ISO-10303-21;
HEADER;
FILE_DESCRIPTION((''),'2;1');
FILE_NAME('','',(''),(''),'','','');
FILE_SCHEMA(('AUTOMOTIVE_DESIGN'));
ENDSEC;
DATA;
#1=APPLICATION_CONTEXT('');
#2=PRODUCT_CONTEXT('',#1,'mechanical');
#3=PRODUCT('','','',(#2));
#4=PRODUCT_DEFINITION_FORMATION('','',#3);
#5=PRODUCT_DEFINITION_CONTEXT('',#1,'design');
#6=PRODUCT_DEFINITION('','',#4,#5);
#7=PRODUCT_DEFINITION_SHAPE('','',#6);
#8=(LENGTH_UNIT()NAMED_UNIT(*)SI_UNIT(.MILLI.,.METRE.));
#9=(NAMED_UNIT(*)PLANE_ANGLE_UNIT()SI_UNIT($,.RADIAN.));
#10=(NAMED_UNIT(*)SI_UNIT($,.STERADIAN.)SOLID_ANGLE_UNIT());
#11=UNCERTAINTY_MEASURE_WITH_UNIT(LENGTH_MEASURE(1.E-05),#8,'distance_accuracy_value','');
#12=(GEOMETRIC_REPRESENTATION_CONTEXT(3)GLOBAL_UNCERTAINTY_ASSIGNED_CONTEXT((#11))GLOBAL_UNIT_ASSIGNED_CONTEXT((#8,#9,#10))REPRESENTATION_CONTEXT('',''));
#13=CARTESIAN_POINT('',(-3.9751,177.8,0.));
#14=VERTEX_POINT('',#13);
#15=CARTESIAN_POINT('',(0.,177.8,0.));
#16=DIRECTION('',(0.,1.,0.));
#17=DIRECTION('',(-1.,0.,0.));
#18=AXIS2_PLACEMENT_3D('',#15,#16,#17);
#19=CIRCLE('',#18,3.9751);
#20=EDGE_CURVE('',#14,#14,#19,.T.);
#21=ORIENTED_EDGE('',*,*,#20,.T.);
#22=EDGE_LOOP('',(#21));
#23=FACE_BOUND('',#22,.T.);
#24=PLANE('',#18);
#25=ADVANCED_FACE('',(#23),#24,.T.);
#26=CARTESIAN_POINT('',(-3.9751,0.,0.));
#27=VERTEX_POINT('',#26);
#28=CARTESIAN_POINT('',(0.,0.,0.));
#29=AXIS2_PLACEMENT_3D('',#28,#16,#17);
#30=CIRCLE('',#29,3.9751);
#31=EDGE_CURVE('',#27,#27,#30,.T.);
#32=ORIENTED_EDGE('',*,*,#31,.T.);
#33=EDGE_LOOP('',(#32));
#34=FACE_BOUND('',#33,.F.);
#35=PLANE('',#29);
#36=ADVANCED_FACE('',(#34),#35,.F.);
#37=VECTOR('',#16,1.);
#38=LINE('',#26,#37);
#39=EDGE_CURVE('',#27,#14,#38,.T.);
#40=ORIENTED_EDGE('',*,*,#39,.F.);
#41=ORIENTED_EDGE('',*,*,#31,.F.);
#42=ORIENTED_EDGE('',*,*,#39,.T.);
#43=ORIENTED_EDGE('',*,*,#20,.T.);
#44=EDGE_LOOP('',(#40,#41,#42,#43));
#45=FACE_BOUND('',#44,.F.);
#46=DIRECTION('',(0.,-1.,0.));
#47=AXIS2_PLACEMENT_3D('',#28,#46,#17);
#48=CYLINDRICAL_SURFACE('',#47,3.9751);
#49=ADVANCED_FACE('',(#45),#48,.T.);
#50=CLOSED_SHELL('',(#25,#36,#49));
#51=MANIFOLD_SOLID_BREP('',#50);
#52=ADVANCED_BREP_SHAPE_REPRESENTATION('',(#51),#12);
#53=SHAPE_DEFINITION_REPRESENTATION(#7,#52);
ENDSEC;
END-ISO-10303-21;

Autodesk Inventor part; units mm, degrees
ref_plane "YZ Plane" through (0, 0, 0) normal (1, 0, 0) x (0, 1, 0)
ref_plane "XZ Plane" through (0, 0, 0) normal (0, 1, 0) x (-1, 0, 0)
ref_plane "XY Plane" through (0, 0, 0) normal (0, 0, 1) x (1, 0, 0)
sketch "Sketch1" plane through (0, 0, 0) normal (0, 1, 0) x (-1, 0, 0)
  circle A0 centre (0, 0) radius 3.9751
  dimension "d0" = 7.9502
extrude "Extrusion1" add sketch "Sketch1" along normal blind 177.8
properties part number "0.313 in (5 in long) shaft"
